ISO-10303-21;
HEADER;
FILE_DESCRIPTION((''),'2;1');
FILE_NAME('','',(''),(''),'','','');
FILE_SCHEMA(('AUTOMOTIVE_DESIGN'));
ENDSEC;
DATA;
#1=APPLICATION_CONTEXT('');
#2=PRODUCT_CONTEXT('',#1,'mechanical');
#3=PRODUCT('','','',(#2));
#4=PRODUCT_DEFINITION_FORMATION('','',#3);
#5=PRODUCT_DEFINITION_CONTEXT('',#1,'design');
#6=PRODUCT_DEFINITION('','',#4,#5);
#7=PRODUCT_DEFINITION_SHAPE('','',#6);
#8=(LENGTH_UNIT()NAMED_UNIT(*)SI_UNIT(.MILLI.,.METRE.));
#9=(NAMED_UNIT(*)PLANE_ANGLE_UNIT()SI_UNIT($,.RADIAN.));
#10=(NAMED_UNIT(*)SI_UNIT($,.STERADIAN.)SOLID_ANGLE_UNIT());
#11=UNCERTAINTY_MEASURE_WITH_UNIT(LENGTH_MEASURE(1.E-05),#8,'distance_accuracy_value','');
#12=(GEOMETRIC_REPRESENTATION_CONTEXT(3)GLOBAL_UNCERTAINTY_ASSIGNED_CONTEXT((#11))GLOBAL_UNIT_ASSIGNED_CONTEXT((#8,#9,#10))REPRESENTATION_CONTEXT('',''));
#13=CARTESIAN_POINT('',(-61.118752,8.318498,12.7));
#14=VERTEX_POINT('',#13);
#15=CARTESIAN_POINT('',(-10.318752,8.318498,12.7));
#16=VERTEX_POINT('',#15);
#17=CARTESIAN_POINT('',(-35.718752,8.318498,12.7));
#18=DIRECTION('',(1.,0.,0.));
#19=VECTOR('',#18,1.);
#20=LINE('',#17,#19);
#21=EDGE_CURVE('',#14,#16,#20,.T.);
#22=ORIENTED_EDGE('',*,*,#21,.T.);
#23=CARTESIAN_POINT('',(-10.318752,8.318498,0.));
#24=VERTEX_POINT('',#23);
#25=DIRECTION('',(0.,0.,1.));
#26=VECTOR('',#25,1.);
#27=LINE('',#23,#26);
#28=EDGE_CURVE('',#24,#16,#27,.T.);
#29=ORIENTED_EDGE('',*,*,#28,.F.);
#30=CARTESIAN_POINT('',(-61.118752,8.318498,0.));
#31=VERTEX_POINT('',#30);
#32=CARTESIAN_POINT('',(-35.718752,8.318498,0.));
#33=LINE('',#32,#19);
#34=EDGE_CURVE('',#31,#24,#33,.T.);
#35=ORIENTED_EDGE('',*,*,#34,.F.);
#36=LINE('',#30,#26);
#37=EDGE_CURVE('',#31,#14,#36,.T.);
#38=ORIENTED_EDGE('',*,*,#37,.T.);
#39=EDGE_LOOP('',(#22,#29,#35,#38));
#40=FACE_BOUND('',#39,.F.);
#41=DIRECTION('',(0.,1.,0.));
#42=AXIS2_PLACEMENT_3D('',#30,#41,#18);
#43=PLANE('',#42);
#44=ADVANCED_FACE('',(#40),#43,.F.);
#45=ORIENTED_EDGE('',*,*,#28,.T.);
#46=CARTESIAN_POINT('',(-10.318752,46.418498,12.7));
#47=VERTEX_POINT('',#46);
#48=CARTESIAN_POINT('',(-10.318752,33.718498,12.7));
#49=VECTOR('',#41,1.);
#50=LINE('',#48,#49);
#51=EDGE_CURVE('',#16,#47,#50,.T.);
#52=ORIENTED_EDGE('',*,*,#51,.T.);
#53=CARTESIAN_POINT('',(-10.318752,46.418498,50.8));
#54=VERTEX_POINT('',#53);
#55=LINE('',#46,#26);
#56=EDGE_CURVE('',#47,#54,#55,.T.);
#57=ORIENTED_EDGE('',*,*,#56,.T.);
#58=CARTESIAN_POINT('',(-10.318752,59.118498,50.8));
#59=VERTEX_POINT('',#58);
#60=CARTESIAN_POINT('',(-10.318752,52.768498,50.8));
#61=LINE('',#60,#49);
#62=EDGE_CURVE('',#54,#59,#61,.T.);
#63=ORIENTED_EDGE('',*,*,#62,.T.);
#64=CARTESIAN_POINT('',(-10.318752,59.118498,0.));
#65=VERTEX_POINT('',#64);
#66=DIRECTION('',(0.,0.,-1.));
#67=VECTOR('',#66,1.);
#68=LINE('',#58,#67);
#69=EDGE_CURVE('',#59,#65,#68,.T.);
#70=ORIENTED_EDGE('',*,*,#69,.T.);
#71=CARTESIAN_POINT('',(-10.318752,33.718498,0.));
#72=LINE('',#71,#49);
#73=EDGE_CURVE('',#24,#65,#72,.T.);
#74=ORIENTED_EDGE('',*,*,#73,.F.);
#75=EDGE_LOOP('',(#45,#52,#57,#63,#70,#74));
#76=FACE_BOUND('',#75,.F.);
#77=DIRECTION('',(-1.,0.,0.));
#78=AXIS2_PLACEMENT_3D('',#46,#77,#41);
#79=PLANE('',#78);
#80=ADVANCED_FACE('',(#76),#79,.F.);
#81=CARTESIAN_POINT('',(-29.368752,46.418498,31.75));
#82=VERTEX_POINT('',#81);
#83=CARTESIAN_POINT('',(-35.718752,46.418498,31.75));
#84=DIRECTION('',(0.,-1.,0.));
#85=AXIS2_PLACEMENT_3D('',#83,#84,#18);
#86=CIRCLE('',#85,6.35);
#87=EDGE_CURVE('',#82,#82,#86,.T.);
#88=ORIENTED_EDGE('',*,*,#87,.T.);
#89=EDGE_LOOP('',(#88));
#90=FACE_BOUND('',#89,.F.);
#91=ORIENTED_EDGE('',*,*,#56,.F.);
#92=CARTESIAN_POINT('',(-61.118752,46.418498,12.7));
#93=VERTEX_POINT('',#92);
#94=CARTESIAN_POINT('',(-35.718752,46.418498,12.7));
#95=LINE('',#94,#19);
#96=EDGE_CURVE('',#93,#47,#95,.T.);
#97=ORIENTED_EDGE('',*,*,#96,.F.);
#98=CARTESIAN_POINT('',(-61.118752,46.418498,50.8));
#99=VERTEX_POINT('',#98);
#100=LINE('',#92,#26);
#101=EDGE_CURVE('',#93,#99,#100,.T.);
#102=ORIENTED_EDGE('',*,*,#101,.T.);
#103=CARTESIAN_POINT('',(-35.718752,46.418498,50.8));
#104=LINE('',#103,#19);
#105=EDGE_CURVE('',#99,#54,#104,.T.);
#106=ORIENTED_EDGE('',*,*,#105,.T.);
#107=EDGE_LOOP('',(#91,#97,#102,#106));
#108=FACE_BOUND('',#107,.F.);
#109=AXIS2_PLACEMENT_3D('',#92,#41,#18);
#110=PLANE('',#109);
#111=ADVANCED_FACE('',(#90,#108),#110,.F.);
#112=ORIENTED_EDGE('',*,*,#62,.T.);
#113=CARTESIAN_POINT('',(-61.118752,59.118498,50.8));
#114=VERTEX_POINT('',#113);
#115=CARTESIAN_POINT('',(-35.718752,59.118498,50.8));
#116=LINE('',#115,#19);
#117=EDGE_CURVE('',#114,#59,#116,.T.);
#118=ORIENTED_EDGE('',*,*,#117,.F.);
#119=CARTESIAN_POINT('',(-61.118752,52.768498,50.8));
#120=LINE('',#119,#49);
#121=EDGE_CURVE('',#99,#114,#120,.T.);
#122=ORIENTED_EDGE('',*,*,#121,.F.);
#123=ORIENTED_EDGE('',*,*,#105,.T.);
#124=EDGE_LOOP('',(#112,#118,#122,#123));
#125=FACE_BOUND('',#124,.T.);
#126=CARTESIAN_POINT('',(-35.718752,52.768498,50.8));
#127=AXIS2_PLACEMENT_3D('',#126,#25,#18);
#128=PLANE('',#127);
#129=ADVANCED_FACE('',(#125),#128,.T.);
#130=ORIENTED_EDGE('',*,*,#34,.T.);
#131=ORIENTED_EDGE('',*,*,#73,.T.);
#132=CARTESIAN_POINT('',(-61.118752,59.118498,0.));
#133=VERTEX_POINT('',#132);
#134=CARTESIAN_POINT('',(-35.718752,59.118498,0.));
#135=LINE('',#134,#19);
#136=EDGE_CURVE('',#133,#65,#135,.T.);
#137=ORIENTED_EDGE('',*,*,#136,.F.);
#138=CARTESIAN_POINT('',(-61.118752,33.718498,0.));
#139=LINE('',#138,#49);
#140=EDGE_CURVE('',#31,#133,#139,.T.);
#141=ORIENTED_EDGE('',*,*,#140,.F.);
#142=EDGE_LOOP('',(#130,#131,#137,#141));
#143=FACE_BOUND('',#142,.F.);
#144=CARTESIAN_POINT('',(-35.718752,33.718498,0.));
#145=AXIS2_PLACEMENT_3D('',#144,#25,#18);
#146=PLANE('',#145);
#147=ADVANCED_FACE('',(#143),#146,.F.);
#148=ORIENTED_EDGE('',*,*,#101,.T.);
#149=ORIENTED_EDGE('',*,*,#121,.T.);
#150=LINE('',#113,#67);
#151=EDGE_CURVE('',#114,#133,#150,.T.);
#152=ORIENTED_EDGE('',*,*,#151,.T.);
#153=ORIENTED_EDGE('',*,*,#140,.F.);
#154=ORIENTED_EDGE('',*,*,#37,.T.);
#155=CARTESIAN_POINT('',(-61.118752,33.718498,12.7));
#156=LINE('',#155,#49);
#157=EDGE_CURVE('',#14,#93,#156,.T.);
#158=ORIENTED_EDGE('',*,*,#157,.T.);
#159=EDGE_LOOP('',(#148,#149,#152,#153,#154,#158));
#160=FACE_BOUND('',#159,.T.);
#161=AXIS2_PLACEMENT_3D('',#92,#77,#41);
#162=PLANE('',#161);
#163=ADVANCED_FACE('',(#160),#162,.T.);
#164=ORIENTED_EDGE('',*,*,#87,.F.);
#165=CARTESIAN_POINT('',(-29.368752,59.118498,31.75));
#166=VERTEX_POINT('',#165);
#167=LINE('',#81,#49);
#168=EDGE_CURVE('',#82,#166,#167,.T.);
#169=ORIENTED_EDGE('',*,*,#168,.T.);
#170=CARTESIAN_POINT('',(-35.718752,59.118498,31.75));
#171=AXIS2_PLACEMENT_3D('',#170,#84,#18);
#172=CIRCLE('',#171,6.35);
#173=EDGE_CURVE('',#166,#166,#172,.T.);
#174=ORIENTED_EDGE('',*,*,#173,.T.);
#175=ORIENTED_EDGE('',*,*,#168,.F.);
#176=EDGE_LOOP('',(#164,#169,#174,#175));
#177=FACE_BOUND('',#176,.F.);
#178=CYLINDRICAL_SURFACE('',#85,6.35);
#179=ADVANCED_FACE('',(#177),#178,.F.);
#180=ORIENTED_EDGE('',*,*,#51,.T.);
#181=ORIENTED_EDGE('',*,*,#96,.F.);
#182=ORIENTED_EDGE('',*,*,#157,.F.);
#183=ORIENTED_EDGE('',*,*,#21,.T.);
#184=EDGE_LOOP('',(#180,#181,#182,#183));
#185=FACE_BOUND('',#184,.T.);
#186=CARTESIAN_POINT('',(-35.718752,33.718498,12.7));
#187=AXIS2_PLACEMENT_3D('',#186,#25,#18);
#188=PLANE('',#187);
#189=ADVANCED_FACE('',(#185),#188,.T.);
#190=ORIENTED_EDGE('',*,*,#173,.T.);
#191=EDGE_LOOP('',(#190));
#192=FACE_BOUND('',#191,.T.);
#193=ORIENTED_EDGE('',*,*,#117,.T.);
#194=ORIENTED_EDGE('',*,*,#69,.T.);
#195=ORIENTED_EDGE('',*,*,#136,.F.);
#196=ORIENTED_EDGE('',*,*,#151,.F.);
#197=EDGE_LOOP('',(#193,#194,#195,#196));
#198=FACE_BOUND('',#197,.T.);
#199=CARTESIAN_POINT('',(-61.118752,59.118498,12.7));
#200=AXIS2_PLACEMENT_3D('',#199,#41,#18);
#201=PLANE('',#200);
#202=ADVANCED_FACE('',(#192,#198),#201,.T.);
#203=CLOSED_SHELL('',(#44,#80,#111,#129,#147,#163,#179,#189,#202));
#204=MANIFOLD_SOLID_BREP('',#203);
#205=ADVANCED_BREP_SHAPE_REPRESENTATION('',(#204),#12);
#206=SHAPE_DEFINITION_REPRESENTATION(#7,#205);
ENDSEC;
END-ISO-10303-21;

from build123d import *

# Parameters (mm, degrees)
F0_W     = 50.8
F0_H     = 50.8
F1_DEPTH = 12.7
F2_W     = 50.8
F2_H     = 12.7
F3_DEPTH = 38.1
F4_R     = 6.35
F5_DEPTH = 12.701


with BuildPart() as f1:
    # F0 (on Top) → F1 (new body)
    with BuildSketch(Plane.XY):
        with Locations((-35.718752, 33.718498)):
            Rectangle(F0_W, F0_H)
    extrude(amount=F1_DEPTH)

    # F2 (on face) → F3 (join)
    with BuildSketch(Plane.XY.offset(12.7)):
        with Locations((-35.718752, 52.768498)):
            Rectangle(F2_W, F2_H)
    extrude(amount=F3_DEPTH)

    # F4 (on face) → F5 (cut, through all)
    with BuildSketch(Plane.XZ.offset(-46.418498)):
        with Locations((-35.718752, 31.75)):
            Circle(F4_R)
    extrude(amount=-F5_DEPTH, mode=Mode.SUBTRACT)


solid = f1.part
